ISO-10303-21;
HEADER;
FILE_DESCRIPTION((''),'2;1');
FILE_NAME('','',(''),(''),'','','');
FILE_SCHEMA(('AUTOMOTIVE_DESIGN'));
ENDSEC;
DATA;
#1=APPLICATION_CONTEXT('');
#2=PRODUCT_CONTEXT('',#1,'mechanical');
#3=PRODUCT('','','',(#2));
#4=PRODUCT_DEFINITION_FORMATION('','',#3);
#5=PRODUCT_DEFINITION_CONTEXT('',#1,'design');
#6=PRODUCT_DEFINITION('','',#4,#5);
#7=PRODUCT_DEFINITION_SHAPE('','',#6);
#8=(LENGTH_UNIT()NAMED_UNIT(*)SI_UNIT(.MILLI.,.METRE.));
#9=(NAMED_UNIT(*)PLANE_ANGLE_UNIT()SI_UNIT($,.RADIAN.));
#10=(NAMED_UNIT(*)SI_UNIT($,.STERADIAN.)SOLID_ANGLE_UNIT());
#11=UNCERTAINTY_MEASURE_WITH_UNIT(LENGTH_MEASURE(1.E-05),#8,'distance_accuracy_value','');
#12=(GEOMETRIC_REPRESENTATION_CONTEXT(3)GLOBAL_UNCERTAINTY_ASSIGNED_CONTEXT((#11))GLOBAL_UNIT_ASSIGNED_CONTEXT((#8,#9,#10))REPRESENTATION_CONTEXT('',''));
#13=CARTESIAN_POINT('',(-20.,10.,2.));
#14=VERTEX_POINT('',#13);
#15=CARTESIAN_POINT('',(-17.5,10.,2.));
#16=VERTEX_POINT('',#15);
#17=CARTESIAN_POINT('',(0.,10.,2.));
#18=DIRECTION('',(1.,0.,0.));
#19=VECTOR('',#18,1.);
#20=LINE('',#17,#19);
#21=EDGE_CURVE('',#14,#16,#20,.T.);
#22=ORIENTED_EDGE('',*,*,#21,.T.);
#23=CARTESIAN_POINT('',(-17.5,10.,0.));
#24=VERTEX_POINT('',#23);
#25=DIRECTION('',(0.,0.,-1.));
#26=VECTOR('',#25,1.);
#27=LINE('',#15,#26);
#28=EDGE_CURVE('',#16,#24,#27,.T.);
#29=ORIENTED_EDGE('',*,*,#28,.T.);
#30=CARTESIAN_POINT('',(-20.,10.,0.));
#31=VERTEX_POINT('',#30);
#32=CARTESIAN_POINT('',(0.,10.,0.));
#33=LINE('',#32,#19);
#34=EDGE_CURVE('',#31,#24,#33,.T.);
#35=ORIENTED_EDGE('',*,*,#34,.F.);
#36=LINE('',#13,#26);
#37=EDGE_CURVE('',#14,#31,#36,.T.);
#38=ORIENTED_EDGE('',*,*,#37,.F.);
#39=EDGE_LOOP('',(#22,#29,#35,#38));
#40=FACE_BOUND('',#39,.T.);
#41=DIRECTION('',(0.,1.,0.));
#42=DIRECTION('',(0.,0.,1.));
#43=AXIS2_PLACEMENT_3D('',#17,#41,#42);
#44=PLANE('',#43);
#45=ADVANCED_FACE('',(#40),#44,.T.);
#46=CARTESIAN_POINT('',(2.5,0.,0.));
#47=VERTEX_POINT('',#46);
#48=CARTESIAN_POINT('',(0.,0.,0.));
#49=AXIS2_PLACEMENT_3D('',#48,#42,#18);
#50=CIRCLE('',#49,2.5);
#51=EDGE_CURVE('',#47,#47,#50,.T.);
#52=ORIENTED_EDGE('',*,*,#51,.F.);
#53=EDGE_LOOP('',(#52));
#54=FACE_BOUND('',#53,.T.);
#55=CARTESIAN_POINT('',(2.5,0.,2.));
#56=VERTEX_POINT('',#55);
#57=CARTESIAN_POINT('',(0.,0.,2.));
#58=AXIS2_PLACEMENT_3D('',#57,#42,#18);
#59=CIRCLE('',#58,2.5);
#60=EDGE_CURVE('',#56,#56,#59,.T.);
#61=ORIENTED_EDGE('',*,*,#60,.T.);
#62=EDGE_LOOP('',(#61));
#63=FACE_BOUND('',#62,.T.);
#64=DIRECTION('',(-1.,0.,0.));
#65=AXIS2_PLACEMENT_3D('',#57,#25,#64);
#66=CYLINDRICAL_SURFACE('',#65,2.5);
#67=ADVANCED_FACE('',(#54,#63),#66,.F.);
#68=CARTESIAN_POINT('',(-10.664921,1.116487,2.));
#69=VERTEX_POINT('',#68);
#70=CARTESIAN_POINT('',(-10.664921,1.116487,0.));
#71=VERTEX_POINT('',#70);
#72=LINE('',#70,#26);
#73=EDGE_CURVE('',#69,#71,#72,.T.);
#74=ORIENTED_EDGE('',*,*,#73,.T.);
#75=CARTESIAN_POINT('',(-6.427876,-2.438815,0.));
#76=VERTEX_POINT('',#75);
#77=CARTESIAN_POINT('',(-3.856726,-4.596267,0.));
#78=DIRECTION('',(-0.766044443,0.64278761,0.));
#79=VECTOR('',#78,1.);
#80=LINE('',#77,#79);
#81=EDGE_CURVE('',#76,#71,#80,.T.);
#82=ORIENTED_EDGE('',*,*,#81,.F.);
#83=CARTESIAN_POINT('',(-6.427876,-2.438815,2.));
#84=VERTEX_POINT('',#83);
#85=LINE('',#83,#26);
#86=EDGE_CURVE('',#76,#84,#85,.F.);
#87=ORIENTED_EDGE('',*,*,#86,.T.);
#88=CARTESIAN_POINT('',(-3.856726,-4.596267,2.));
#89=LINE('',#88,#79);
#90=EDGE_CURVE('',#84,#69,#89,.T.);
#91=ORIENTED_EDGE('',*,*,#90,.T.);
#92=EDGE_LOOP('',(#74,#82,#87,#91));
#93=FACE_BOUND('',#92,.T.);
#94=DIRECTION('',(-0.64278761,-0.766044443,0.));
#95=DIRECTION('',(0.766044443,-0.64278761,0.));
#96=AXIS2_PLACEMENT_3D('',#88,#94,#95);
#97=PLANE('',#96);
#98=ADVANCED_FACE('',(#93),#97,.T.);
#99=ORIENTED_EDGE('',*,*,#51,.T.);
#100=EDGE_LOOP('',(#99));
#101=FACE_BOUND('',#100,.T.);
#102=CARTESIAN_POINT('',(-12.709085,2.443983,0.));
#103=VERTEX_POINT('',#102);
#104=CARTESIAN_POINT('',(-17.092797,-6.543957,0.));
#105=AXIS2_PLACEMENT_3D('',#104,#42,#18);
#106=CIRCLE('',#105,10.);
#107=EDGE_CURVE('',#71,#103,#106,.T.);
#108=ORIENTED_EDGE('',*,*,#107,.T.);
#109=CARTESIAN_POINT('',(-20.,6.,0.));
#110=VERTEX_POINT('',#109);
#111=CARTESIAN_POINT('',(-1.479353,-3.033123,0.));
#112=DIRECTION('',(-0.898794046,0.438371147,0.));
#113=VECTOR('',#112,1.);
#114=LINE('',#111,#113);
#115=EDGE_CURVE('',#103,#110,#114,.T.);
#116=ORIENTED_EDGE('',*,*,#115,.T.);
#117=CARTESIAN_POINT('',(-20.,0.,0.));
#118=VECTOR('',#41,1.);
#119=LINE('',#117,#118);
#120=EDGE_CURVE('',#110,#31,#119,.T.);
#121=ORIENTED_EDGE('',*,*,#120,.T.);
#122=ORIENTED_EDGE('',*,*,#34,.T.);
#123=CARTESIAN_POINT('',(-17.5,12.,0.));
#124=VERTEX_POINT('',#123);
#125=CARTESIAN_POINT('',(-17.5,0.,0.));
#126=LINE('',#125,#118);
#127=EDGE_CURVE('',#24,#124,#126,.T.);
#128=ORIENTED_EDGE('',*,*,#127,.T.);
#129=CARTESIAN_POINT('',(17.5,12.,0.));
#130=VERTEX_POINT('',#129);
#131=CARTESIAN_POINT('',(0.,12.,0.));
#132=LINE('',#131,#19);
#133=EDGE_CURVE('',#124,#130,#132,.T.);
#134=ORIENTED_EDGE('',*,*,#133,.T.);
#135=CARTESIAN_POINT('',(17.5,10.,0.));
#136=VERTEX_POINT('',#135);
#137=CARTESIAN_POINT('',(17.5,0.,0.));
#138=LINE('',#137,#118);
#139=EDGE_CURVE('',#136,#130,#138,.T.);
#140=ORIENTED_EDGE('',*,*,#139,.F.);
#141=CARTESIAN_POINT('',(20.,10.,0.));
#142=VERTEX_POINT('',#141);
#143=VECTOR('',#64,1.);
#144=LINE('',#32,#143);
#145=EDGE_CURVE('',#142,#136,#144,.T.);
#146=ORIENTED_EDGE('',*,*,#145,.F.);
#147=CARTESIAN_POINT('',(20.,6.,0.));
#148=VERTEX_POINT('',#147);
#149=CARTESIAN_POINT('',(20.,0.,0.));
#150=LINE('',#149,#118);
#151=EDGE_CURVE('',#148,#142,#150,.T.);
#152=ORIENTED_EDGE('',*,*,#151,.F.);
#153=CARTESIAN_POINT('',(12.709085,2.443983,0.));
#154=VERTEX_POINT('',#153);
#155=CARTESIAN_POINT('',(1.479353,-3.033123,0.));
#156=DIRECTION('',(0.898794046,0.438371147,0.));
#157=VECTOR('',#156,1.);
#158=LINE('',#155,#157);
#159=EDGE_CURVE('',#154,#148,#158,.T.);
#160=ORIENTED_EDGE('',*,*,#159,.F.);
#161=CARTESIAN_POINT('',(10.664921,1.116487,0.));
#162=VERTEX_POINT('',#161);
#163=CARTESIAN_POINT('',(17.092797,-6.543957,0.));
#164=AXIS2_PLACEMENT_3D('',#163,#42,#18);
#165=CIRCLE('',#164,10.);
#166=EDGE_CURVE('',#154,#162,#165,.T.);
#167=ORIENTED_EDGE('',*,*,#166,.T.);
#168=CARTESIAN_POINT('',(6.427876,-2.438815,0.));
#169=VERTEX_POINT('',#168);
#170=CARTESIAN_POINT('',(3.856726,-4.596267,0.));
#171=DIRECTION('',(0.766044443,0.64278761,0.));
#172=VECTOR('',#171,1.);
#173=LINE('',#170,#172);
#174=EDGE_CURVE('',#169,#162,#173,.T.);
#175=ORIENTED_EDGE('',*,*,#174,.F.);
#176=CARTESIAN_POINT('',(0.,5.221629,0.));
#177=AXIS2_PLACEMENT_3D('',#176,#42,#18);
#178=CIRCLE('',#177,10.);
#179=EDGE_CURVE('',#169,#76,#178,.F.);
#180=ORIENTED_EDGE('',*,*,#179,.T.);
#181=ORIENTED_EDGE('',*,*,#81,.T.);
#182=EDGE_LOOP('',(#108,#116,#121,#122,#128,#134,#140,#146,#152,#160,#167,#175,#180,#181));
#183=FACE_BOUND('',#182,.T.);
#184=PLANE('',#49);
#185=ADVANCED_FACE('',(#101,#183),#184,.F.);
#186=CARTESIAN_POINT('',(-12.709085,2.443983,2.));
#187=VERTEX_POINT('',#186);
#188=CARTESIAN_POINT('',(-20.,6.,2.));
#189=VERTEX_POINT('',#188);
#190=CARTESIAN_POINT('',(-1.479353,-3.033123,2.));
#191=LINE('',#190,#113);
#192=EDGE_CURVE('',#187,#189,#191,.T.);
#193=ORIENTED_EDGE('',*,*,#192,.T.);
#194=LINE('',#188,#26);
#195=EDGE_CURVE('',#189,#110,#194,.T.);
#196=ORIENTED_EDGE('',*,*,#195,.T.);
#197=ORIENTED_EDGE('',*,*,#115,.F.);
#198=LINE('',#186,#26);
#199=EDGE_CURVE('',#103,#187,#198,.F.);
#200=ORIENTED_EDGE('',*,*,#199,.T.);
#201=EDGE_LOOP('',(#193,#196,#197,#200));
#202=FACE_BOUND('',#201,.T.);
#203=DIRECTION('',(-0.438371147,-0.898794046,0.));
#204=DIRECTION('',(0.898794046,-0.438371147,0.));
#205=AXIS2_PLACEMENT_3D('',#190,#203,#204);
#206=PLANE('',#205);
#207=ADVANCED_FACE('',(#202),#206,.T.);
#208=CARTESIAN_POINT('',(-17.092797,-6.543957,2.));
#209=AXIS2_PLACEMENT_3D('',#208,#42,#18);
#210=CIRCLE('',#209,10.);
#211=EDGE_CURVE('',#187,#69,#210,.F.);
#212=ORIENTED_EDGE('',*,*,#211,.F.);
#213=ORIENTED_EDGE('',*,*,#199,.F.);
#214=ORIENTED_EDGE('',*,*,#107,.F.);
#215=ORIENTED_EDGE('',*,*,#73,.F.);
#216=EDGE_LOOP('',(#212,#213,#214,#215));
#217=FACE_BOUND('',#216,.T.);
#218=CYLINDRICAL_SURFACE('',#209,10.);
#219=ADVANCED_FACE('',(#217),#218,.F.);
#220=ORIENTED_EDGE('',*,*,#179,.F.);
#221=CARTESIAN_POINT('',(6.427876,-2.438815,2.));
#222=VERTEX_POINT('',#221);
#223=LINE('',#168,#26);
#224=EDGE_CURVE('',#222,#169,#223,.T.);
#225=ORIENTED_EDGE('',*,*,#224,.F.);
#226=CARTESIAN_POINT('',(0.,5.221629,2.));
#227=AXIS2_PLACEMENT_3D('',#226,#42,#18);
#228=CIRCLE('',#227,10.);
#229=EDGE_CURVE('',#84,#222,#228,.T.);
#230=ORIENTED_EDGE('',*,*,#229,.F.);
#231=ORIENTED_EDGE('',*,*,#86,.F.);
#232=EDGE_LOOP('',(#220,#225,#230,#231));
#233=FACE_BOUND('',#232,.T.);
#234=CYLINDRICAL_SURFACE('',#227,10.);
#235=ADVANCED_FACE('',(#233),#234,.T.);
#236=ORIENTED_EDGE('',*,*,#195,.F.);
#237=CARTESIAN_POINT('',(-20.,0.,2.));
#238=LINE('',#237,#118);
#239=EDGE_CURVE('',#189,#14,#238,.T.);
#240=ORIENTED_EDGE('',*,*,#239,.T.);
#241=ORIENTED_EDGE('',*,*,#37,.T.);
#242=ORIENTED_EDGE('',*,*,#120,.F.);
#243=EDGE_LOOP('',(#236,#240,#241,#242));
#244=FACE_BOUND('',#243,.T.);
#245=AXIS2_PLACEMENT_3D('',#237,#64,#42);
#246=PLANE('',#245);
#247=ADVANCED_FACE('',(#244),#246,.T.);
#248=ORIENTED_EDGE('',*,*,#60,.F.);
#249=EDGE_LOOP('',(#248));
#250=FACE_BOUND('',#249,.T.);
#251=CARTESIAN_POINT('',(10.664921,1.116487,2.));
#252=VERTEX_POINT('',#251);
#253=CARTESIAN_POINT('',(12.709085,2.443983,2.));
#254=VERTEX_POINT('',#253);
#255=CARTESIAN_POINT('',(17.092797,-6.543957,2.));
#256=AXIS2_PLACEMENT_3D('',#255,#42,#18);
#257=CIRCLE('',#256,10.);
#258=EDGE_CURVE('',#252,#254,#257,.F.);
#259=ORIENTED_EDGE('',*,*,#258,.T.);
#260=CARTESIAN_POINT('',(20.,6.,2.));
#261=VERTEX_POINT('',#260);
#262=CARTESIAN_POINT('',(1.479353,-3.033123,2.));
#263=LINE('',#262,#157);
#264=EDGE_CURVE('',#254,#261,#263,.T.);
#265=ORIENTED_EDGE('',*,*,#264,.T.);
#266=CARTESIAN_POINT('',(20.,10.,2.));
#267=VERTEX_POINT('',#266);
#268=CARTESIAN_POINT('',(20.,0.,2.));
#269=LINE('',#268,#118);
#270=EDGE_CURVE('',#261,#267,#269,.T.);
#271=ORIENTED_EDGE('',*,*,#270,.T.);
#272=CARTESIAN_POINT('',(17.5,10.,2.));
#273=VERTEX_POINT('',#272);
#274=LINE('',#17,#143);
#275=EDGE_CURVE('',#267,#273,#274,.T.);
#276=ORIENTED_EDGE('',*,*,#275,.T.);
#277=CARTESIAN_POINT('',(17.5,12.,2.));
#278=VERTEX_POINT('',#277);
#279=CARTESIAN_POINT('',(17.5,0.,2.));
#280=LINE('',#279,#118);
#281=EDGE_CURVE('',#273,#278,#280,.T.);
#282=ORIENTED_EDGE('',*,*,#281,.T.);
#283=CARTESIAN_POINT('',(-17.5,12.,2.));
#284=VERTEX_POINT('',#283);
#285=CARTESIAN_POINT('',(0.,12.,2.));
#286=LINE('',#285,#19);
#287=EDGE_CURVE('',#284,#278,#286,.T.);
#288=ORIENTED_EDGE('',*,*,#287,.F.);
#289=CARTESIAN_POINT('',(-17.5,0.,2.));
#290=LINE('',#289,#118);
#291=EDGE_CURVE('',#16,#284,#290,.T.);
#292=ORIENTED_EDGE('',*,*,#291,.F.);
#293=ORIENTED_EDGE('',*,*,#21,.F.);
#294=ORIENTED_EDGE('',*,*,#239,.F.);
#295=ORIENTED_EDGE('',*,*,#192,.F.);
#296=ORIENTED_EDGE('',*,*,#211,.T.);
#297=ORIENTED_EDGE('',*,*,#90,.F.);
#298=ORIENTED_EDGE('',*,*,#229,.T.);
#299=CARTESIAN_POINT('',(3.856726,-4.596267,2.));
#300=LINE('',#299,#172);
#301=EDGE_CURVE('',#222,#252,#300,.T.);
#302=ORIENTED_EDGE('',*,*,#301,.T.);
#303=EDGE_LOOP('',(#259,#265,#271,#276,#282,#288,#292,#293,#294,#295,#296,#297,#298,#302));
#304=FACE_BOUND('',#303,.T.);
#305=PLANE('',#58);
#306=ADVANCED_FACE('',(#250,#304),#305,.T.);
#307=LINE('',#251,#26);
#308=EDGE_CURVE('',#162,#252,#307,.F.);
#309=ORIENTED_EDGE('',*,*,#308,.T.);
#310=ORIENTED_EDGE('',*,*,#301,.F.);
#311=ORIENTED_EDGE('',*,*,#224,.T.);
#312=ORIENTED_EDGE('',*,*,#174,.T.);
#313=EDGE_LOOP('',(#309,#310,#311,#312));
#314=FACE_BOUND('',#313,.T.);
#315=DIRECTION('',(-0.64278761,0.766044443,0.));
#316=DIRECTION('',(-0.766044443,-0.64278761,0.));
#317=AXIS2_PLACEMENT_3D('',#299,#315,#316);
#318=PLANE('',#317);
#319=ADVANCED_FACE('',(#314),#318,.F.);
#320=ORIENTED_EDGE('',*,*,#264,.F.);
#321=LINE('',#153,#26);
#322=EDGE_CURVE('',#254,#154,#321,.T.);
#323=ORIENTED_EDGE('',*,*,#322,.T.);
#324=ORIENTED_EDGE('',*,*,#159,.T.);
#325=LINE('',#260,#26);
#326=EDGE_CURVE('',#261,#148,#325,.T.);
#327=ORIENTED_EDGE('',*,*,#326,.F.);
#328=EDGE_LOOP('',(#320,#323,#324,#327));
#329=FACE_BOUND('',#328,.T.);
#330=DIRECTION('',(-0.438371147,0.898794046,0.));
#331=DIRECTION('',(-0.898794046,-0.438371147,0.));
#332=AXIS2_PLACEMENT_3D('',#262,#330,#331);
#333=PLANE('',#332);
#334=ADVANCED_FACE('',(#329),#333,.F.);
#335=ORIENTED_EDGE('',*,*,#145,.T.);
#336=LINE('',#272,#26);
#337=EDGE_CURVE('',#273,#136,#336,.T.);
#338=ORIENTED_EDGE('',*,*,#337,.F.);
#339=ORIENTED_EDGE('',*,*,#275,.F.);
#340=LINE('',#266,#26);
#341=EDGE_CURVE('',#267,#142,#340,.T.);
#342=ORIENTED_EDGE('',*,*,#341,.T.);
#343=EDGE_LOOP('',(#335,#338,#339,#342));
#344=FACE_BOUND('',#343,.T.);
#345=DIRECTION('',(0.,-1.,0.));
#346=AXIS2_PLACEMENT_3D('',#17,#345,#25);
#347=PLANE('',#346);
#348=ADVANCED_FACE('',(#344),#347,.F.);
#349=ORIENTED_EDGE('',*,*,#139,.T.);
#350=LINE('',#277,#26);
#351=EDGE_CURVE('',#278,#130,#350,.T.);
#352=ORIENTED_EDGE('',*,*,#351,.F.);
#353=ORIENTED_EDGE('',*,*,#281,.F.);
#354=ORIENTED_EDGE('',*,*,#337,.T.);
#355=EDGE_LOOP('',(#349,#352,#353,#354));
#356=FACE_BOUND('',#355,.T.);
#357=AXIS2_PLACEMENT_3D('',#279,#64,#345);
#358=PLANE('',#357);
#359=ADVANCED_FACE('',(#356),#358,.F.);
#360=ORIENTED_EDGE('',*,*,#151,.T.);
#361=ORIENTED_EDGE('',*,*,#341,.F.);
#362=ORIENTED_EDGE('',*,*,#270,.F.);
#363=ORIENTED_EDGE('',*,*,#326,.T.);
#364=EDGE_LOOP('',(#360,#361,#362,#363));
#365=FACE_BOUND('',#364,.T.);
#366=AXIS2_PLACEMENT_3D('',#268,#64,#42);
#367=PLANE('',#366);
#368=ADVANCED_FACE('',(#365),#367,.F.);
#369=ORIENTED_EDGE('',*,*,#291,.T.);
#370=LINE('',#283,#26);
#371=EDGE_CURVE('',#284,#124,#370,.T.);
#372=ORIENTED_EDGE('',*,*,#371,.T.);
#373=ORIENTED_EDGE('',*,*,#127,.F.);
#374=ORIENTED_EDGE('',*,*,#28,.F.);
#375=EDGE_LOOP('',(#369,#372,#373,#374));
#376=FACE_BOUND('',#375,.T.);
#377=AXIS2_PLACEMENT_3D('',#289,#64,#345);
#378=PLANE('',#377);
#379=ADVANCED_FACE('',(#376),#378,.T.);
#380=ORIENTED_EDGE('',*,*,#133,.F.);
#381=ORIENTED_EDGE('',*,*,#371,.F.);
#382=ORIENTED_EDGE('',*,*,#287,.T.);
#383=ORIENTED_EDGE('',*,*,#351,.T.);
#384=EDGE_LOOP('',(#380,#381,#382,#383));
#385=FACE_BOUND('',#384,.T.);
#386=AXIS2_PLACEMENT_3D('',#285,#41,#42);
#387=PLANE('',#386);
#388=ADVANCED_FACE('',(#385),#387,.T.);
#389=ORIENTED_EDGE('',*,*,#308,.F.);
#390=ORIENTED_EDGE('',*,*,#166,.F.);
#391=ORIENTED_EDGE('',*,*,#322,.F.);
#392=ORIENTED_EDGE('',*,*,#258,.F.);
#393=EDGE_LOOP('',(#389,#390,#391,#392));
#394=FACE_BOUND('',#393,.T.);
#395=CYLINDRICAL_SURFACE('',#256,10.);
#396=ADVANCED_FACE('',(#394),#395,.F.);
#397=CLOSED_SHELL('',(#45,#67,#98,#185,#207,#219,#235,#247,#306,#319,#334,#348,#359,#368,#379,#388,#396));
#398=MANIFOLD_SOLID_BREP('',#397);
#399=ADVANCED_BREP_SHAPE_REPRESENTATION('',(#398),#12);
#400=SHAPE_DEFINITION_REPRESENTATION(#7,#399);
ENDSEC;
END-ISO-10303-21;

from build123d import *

# Parameters (mm, degrees)
SKETCH_1_R      = 2.5
EXTRUDE_1_DEPTH = 2
FILLET_1_R      = 10


with BuildPart() as part:
    # ｽｹｯﾁ1 → ﾎﾞｽ - 押し出し1 (new body)
    with BuildSketch(Plane.XY):
        Polygon((0, -7.832443736), (11.605504985, 1.905731217), (20, 6), (20, 10), (17.5, 10), (17.5, 12), (-17.5, 12), (-17.5, 10), (-20, 10), (-20, 6), (-11.605504985, 1.905731217), align=None)
        Circle(SKETCH_1_R, mode=Mode.SUBTRACT)
    extrude(amount=EXTRUDE_1_DEPTH)

    # ﾌｨﾚｯﾄ1
    fillet_1_edges = [part.edges().sort_by_distance(p)[0] for p in [
        (11.605504985, 1.905731217, 1),
        (0, -7.832443736, 1),
        (-11.605504985, 1.905731217, 1),
    ]]
    fillet(fillet_1_edges, radius=FILLET_1_R)


solid = part.part
